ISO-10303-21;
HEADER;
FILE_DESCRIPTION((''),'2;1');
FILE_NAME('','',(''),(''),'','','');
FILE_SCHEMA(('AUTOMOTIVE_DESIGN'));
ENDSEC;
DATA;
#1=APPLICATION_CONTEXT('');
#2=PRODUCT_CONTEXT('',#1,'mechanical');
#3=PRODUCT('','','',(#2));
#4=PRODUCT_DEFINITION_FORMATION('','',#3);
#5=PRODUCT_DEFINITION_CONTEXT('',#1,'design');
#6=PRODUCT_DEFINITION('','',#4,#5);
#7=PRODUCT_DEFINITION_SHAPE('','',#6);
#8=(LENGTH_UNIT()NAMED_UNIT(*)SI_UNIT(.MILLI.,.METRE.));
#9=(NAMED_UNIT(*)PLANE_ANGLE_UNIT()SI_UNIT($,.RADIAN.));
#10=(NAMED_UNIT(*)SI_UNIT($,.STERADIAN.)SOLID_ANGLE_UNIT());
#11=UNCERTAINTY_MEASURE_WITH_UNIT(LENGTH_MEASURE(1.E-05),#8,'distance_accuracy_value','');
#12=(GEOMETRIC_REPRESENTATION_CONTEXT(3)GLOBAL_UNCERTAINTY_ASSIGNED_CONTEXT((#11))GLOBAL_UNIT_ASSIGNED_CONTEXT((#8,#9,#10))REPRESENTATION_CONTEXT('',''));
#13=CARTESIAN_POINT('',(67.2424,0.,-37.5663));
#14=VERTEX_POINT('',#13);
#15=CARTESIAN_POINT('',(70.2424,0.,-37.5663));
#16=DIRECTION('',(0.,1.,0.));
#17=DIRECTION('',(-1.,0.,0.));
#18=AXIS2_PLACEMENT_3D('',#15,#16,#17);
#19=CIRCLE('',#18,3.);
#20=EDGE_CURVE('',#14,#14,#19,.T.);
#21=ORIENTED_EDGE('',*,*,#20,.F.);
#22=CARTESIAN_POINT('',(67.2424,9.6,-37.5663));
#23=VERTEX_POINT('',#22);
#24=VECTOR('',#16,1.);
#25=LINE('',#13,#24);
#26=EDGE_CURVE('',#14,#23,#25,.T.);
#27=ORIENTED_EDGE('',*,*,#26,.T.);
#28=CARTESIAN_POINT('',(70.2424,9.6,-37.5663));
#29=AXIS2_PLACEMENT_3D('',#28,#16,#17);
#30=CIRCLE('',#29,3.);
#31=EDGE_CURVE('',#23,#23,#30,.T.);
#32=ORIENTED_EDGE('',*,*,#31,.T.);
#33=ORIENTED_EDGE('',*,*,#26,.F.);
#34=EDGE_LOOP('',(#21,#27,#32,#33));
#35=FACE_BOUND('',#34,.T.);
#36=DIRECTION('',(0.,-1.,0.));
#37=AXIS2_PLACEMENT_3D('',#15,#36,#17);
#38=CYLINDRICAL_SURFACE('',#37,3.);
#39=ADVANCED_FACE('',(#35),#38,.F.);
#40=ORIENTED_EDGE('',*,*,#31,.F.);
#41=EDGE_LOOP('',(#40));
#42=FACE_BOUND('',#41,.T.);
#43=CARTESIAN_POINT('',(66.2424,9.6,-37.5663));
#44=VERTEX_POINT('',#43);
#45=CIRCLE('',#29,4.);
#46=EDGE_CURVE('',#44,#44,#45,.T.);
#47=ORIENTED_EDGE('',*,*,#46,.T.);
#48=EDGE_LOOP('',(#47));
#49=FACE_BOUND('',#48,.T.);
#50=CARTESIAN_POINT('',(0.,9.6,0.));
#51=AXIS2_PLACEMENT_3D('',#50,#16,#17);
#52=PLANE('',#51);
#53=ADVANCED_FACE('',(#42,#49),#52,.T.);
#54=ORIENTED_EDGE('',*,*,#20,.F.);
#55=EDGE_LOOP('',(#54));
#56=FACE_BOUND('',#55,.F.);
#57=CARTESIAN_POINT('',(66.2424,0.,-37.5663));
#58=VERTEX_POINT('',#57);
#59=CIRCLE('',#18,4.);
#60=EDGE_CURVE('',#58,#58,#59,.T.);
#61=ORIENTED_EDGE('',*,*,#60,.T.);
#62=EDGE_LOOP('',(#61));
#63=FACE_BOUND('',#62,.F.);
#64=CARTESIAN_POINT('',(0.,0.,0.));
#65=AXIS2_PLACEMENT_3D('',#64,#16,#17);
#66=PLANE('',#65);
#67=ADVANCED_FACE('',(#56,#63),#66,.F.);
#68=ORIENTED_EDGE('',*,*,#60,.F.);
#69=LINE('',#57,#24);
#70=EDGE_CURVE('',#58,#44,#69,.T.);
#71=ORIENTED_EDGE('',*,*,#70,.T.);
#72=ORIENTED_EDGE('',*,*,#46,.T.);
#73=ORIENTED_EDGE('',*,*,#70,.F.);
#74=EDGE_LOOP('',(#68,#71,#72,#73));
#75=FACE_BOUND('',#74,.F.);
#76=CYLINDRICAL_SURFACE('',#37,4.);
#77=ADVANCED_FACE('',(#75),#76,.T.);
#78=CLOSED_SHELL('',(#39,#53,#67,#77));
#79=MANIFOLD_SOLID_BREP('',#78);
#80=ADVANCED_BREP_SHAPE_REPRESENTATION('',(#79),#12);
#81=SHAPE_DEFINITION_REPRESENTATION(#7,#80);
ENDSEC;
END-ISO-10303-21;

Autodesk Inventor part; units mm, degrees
ref_plane "YZ Plane" through (0, 0, 0) normal (1, 0, 0) x (0, 1, 0)
ref_plane "XZ Plane" through (0, 0, 0) normal (0, 1, 0) x (-1, 0, 0)
ref_plane "XY Plane" through (0, 0, 0) normal (0, 0, 1) x (1, 0, 0)
sketch "Sketch1" plane through (0, 0, 0) normal (0, 1, 0) x (-1, 0, 0)
  circle A0 centre (-70.2424, -37.5663) radius 3
  circle A1 centre (-70.2424, -37.5663) radius 4
  point P0 (0, 0)
  dimension "d0" = 6
  dimension "d1" = 8
extrude "Extrusion1" add sketch "Sketch1" along normal blind 9.6
properties part number "9.6 spacer"
